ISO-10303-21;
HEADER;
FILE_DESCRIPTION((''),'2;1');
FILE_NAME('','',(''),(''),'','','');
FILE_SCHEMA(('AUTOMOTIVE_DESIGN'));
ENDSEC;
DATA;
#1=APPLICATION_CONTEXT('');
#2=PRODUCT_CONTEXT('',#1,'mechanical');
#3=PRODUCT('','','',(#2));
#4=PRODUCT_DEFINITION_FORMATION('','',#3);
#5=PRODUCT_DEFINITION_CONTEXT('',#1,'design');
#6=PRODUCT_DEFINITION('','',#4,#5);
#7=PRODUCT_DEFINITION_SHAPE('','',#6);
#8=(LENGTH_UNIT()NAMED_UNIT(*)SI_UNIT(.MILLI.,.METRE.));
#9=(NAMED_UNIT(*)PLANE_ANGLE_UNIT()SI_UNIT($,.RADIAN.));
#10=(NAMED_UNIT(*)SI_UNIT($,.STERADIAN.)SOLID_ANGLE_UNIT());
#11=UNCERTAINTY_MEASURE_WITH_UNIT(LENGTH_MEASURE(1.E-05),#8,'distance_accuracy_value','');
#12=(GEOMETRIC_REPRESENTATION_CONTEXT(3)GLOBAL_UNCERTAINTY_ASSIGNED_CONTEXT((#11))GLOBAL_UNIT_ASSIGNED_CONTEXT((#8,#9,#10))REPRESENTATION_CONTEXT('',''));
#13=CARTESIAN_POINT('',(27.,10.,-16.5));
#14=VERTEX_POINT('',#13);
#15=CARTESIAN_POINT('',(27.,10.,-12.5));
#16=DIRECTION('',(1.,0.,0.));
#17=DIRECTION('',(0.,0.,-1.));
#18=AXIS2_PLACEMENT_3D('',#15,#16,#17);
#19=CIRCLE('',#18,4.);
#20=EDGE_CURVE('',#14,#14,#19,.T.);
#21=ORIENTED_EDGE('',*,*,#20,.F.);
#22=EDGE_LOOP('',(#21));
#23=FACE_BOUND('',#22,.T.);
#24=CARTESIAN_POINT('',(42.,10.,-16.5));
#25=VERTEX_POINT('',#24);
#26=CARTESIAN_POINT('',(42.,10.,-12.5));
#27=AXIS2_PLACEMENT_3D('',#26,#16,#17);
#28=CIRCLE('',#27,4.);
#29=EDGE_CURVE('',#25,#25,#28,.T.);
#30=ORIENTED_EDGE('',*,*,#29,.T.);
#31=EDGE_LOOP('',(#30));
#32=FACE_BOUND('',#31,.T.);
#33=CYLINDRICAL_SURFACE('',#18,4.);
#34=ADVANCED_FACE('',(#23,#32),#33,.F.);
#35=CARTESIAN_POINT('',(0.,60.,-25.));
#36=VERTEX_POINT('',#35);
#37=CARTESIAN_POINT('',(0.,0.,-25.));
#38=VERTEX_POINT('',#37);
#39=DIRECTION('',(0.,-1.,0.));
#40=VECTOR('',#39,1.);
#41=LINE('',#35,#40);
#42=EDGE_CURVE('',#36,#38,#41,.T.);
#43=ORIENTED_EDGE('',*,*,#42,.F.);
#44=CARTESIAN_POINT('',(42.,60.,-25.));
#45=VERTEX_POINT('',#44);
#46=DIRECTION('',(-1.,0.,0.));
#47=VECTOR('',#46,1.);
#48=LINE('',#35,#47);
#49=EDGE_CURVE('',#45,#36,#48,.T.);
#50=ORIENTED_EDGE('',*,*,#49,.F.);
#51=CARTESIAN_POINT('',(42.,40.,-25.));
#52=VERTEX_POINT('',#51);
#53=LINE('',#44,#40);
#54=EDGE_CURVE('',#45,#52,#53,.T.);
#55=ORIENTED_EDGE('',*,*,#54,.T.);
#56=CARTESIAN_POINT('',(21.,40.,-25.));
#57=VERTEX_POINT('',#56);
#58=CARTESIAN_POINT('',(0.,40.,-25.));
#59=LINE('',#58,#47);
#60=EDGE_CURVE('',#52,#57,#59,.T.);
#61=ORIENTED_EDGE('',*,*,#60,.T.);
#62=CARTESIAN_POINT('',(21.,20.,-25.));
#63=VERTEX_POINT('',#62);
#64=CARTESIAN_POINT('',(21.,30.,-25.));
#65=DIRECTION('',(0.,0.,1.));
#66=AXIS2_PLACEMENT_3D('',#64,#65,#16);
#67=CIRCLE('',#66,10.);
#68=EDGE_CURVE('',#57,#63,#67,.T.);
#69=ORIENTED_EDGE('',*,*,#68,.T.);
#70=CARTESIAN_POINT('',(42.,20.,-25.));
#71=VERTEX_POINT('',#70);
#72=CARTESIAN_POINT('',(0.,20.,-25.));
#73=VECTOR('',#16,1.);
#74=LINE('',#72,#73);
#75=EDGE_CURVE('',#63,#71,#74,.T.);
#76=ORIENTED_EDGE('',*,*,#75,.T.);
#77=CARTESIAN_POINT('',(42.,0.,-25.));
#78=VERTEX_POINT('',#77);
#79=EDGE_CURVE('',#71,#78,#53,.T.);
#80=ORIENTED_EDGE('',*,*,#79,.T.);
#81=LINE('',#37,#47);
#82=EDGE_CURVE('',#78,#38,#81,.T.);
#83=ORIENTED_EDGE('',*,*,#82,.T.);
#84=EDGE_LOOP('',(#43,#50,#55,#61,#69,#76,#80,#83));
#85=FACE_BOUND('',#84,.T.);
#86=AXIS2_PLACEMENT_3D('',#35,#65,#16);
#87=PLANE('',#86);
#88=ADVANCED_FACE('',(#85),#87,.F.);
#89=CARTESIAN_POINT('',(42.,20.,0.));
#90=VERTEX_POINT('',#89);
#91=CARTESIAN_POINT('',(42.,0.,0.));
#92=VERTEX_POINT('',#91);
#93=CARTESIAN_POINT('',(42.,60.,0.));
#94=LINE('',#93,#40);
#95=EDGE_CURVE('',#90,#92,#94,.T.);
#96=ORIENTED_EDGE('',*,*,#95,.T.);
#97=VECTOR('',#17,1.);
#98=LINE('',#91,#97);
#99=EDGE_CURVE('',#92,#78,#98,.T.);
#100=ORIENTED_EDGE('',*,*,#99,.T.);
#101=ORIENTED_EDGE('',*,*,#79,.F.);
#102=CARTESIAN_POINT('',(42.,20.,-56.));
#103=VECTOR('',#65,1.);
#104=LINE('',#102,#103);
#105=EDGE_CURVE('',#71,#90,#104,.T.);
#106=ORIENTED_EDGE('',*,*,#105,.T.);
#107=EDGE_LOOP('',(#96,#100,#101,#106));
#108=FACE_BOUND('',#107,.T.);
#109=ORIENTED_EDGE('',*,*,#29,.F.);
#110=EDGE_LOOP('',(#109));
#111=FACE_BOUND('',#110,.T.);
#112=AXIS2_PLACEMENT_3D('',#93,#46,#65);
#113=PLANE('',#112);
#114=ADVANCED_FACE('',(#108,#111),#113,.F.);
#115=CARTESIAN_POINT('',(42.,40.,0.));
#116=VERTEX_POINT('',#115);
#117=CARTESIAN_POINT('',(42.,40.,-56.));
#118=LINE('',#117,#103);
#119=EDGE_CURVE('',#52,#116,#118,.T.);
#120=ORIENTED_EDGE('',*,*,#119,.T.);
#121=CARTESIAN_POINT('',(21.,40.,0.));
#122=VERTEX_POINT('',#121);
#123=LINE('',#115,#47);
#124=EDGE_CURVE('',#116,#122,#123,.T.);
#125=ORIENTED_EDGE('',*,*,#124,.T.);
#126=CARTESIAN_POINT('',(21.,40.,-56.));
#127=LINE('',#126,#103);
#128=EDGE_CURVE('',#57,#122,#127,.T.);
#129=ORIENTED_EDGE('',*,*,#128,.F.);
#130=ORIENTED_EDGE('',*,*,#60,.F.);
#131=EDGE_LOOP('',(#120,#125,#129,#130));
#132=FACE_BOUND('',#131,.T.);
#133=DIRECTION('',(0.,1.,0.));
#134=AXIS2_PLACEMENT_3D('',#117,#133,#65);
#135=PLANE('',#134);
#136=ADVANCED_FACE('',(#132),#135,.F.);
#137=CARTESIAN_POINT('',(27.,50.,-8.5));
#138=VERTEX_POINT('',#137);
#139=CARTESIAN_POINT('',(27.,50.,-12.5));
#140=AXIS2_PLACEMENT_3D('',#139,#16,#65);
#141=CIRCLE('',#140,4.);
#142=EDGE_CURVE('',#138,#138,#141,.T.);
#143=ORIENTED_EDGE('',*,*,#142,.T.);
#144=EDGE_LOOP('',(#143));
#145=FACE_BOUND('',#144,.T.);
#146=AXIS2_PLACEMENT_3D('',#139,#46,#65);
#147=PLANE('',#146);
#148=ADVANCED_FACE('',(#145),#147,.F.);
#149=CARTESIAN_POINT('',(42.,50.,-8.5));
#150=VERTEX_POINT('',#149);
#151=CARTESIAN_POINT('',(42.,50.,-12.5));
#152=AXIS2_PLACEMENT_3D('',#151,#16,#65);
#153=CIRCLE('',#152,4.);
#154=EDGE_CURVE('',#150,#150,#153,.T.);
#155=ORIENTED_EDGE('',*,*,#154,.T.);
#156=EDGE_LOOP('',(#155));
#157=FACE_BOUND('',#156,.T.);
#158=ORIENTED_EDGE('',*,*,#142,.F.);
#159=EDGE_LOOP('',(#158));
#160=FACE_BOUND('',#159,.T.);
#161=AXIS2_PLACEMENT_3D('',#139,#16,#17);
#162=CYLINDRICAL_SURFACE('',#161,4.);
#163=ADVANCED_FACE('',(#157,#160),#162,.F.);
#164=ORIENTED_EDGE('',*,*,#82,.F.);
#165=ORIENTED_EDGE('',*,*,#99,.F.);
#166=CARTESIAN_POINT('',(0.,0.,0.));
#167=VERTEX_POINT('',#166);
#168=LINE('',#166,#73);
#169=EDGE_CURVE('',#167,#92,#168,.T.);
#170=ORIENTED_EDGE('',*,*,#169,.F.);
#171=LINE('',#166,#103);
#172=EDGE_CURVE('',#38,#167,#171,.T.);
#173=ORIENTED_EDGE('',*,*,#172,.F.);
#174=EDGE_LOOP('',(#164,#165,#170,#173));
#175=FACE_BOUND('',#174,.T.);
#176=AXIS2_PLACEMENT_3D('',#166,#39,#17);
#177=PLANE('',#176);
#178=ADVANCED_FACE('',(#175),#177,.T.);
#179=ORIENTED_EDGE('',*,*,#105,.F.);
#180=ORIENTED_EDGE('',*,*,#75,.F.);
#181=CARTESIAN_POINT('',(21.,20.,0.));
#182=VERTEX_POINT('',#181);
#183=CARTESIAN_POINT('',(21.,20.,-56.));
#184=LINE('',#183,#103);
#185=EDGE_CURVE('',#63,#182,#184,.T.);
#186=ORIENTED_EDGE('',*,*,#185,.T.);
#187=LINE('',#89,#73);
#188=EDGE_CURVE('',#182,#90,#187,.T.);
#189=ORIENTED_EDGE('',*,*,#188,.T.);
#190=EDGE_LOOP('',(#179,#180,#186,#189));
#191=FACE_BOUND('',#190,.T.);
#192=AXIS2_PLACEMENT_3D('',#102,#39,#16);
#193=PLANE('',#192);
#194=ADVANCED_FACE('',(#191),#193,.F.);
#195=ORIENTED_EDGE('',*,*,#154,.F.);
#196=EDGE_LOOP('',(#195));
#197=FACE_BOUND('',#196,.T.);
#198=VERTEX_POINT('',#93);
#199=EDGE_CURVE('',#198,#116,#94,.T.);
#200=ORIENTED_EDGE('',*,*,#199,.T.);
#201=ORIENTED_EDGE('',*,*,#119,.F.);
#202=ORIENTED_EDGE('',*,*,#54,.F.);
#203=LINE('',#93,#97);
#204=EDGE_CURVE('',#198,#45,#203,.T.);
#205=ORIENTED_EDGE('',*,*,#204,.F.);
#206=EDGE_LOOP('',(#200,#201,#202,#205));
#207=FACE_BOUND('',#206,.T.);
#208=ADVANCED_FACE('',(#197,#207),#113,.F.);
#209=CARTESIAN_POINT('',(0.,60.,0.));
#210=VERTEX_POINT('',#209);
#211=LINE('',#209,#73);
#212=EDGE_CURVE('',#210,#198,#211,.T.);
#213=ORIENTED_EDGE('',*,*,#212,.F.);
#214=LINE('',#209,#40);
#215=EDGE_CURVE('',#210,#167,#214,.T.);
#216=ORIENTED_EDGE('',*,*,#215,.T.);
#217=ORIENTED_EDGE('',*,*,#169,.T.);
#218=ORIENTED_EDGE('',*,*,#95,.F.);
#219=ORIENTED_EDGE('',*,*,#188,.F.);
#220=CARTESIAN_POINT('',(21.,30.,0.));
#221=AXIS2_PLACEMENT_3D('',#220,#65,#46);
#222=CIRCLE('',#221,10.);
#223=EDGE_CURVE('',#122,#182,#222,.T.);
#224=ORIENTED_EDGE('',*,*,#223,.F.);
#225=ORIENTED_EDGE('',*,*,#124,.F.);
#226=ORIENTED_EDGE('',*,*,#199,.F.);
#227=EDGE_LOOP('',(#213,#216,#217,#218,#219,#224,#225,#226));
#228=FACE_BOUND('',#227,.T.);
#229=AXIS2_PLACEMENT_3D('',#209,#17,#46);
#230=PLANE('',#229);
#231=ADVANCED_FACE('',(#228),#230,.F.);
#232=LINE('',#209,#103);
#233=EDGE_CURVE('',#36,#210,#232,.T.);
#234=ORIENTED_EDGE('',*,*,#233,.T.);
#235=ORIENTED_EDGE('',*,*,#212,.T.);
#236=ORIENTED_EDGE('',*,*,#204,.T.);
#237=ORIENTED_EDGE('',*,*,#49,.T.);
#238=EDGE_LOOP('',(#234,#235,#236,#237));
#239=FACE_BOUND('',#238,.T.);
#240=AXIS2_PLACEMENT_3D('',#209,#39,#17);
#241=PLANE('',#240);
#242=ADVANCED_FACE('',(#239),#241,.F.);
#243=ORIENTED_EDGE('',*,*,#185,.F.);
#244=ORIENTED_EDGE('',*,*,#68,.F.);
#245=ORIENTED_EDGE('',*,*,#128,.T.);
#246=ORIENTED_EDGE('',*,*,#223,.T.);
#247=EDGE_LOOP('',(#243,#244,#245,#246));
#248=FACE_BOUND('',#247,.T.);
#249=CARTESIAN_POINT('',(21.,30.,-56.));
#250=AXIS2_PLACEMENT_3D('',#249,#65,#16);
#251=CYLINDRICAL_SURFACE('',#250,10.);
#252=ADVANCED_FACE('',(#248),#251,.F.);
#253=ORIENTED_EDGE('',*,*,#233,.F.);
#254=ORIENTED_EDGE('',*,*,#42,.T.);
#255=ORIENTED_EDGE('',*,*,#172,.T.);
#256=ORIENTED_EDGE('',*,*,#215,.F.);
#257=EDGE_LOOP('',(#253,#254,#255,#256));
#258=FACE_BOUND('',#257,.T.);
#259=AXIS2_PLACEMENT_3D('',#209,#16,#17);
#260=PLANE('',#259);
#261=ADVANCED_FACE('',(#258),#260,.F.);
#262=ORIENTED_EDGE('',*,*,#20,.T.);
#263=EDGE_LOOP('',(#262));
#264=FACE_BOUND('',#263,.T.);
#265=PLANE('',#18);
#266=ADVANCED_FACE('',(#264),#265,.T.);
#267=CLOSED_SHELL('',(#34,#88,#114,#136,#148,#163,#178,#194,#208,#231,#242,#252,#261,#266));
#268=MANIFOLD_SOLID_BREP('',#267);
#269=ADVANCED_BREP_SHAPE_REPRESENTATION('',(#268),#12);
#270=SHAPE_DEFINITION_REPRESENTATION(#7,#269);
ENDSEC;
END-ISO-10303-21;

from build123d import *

# Parameters (mm, degrees)
SKETCH1_W           = 42
SKETCH1_H           = 25
BOSS_EXTRUDE1_DEPTH = 60
CUT_EXTRUDE1_DEPTH  = 56
SKETCH3_R           = 4
CUT_EXTRUDE2_DEPTH  = 15


with BuildPart() as part:
    # Sketch1 → Boss-Extrude1 (new body)
    with BuildSketch(Plane(origin=(0, 0, 0), x_dir=(1, 0, 0), z_dir=(0, 1, 0))):
        with Locations((21, 12.5)):
            Rectangle(SKETCH1_W, SKETCH1_H)
    extrude(amount=BOSS_EXTRUDE1_DEPTH)

    # Sketch2 → Cut-Extrude1 (cut)
    with BuildSketch(Plane.XY):
        with BuildLine():
            Line((42, 40), (21, 40))
            ThreePointArc((21, 40), (11, 30), (21, 20))
            Line((21, 20), (42, 20))
            Line((42, 20), (42, 40))
        make_face()
    extrude(amount=-CUT_EXTRUDE1_DEPTH, mode=Mode.SUBTRACT)

    # Sketch3 → Cut-Extrude2 (cut)
    with BuildSketch(Plane(origin=(42, 0, 0), x_dir=(0, 0, -1), z_dir=(1, 0, 0))):
        with Locations((12.5, 10)):
            Circle(SKETCH3_R)
        with Locations(Location((12.5, 50, 0), (0, 0, 180))):
            Circle(SKETCH3_R)
    extrude(amount=-CUT_EXTRUDE2_DEPTH, mode=Mode.SUBTRACT)


solid = part.part
